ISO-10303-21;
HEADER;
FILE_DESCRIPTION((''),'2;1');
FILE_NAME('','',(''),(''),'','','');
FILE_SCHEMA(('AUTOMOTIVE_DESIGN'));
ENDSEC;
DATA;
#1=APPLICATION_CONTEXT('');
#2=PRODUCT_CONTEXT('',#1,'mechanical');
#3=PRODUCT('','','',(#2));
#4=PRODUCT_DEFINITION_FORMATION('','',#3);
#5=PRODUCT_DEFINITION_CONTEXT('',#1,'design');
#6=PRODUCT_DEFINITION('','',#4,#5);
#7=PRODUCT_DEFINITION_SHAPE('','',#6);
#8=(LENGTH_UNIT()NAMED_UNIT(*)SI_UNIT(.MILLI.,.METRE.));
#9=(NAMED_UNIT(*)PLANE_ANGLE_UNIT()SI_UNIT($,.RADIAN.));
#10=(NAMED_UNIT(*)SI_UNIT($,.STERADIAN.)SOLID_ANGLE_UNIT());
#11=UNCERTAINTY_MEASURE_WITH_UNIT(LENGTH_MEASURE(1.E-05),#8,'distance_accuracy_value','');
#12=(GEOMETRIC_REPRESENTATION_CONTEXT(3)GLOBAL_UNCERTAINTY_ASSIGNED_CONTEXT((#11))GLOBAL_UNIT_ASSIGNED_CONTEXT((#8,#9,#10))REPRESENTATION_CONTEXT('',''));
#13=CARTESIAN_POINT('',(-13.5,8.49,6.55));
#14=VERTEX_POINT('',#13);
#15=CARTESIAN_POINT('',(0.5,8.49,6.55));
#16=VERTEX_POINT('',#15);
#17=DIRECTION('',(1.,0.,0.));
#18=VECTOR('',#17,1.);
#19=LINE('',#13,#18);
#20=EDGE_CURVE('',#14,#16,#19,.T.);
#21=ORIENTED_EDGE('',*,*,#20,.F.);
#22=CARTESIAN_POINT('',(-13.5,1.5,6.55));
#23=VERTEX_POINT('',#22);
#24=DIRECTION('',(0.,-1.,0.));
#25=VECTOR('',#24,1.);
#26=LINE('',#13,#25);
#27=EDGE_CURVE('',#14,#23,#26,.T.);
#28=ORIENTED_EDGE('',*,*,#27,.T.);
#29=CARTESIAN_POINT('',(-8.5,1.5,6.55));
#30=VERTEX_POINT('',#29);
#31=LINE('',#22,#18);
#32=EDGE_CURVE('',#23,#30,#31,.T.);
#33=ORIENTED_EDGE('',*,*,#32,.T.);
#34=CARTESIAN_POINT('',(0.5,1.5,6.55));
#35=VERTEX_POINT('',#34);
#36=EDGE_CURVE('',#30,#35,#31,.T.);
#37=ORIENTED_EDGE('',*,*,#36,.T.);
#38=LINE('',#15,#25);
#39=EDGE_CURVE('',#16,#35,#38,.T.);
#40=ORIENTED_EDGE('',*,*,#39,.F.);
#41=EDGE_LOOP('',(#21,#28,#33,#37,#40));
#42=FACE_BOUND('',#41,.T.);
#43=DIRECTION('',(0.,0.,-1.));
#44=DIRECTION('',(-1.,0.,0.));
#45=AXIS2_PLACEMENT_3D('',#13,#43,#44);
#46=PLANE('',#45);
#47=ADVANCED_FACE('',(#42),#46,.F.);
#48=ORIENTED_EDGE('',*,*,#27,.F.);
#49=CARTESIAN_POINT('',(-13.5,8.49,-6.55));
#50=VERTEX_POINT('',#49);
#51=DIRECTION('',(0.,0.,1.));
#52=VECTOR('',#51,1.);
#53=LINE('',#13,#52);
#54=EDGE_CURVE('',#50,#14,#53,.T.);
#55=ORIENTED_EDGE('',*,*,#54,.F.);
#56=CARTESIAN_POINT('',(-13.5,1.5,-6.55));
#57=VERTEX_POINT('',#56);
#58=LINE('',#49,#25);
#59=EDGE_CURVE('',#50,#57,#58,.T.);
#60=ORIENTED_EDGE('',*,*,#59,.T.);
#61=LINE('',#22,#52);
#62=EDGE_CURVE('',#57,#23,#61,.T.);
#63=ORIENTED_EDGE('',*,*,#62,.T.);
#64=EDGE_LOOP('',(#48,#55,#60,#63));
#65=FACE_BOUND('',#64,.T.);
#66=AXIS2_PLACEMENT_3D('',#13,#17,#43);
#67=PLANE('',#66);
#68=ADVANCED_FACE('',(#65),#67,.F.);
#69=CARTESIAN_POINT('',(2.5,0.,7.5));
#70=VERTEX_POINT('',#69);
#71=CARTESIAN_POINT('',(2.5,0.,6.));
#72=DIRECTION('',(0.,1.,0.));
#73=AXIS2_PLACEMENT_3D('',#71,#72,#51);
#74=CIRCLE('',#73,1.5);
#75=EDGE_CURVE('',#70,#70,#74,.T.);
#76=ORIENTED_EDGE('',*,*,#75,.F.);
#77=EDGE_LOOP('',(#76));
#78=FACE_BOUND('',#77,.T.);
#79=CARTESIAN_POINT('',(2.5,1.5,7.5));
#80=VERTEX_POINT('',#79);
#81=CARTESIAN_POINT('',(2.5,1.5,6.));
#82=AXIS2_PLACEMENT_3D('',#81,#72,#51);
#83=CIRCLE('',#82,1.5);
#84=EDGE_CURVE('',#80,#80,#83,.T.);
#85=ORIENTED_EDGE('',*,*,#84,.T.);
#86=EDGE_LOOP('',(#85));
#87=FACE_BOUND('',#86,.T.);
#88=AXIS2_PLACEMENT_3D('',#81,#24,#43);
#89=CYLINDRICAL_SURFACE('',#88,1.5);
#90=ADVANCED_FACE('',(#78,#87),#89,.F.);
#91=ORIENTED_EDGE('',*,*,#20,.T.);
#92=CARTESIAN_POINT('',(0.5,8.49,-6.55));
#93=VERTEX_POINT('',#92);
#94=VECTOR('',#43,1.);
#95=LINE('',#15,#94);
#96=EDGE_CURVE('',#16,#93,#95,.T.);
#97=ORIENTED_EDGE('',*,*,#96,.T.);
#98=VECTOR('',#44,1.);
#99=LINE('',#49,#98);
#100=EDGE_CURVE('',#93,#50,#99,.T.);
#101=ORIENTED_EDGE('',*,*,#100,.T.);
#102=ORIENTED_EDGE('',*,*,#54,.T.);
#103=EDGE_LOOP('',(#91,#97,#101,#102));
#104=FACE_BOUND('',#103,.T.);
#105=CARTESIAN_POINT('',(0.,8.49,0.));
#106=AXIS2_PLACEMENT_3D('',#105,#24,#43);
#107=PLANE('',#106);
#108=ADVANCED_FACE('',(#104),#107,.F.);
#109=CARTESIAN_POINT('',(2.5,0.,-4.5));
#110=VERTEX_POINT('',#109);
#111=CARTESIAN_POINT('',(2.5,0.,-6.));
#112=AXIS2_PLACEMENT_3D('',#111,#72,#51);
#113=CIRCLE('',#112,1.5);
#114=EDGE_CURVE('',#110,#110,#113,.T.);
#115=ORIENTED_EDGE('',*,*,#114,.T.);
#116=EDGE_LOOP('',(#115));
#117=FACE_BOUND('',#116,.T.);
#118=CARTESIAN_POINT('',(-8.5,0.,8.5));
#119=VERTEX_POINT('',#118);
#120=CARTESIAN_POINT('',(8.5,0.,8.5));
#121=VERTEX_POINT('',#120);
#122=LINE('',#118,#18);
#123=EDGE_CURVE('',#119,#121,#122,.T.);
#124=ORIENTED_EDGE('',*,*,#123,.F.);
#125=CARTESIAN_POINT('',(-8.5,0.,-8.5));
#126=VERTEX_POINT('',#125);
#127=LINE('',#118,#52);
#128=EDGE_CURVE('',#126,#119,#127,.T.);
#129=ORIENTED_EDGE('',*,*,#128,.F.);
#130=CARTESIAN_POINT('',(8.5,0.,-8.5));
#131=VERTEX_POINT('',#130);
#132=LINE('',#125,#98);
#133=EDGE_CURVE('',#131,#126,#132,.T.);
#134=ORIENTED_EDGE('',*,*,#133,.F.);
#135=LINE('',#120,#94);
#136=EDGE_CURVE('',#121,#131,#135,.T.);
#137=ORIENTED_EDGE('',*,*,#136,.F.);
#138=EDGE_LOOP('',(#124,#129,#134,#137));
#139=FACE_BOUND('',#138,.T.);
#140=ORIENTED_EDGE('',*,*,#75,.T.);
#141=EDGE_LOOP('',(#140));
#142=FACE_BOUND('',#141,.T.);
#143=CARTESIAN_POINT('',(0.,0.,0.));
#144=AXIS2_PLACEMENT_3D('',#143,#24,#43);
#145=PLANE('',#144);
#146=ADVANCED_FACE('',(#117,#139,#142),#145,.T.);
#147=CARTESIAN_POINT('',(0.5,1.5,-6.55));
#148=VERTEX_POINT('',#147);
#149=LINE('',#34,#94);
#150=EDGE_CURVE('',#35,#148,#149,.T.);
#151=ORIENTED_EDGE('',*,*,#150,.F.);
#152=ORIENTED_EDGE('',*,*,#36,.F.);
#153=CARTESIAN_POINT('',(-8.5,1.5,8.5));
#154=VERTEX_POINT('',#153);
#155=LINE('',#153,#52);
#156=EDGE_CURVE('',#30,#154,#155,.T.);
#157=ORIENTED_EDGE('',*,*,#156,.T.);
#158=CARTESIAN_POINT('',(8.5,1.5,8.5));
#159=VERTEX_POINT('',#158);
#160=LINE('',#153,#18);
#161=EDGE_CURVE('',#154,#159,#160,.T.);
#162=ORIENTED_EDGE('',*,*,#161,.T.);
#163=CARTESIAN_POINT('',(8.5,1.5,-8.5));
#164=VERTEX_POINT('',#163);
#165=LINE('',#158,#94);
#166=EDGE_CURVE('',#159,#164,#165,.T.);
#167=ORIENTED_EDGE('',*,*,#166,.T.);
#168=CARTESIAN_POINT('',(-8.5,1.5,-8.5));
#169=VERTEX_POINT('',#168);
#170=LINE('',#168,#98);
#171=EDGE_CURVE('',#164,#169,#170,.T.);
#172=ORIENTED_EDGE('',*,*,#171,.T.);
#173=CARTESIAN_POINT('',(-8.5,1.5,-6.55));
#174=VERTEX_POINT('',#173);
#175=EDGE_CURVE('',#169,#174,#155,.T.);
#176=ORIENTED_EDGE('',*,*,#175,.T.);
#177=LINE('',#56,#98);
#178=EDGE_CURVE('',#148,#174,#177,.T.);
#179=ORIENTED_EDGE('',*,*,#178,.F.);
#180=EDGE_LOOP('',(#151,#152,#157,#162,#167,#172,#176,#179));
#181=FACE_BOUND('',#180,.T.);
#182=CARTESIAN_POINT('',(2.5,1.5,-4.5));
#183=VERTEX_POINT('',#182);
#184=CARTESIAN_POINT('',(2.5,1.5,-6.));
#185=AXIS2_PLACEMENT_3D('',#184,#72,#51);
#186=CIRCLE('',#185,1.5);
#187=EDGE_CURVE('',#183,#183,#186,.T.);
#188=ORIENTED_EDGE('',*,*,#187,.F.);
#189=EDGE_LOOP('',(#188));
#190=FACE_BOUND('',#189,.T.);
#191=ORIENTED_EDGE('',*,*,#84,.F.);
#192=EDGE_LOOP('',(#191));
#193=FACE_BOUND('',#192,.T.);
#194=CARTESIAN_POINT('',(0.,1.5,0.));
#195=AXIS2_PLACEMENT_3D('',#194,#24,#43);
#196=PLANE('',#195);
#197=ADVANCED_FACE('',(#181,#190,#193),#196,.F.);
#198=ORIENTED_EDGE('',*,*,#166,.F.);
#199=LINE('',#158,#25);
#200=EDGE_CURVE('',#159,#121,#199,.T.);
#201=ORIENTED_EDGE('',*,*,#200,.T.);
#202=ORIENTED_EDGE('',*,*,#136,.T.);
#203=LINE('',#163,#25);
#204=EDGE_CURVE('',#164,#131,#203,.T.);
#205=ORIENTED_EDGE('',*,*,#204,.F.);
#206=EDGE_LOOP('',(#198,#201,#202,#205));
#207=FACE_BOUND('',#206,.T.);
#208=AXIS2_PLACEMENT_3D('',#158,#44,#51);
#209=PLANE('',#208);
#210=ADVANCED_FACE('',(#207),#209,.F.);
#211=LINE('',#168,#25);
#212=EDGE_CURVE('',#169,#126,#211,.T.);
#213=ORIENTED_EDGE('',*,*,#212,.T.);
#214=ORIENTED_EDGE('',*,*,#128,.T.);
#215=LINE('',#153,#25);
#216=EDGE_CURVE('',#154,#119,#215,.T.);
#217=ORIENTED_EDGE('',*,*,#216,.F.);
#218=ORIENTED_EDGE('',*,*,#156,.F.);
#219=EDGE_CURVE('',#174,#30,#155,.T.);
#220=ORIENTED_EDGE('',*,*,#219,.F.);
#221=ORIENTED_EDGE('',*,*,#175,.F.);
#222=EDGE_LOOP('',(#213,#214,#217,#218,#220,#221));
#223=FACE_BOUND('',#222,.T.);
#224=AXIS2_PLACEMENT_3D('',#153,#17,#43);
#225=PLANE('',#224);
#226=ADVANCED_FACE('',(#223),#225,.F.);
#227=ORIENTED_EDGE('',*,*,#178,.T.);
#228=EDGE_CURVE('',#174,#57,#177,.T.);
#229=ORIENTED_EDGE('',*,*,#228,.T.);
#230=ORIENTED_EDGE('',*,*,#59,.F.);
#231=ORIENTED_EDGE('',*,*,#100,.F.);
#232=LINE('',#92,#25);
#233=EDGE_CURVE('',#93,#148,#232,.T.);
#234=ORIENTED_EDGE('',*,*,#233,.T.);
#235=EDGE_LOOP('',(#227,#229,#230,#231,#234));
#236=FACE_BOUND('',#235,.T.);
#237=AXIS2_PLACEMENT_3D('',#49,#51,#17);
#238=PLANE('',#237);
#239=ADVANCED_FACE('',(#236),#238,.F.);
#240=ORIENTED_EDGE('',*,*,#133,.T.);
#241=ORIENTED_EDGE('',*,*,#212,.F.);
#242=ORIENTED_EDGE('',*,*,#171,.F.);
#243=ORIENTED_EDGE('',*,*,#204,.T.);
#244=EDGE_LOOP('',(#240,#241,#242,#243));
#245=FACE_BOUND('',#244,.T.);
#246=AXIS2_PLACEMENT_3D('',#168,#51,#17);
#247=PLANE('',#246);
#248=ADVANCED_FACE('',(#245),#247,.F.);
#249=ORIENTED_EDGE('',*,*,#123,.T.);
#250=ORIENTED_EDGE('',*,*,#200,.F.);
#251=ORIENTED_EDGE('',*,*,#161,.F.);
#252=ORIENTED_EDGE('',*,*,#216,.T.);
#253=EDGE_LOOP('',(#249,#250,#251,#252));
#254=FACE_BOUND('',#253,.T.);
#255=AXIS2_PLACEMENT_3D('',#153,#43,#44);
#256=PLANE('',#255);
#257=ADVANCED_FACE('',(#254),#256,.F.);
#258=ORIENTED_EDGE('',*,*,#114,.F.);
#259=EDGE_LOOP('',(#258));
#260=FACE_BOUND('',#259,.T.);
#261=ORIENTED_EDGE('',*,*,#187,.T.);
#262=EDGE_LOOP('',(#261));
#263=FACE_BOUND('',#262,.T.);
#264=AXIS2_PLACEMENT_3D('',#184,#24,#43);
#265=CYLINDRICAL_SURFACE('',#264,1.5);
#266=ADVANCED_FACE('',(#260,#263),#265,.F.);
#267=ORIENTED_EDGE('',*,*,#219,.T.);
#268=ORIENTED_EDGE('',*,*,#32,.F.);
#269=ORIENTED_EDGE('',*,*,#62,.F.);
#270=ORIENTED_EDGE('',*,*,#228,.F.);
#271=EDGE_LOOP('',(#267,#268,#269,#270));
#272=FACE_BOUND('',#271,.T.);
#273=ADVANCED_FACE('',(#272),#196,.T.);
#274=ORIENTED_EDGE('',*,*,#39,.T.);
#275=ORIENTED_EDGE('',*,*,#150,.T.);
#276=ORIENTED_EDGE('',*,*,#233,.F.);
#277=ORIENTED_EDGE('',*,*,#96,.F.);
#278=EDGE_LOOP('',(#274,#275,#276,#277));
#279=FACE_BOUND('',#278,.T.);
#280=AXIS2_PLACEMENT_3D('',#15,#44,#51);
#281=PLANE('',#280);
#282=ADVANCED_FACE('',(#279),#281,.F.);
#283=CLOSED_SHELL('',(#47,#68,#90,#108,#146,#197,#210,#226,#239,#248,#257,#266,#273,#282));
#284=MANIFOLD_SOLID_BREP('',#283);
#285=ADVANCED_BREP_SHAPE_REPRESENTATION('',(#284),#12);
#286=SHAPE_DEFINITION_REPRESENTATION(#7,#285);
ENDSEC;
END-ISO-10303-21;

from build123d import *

# Parameters (mm, degrees)
SKETCH1_W           = 17
SKETCH1_H           = 17
SKETCH1_R           = 1.5
BOSS_EXTRUDE1_DEPTH = 1.5
SKETCH2_W           = 14
SKETCH2_H           = 13.1
BOSS_EXTRUDE2_DEPTH = 6.99


with BuildPart() as part:
    # Sketch1 → Boss-Extrude1 (new body)
    with BuildSketch(Plane(origin=(0, 0, 0), x_dir=(1, 0, 0), z_dir=(0, 1, 0))):
        Rectangle(SKETCH1_W, SKETCH1_H)
        with Locations(Location((2.5, 6, 0), (0, 0, 270))):
            Circle(SKETCH1_R, mode=Mode.SUBTRACT)
        with Locations(Location((2.5, -6, 0), (0, 0, 270))):
            Circle(SKETCH1_R, mode=Mode.SUBTRACT)
    extrude(amount=BOSS_EXTRUDE1_DEPTH)

    # Sketch2 → Boss-Extrude2 (add)
    with BuildSketch(Plane(origin=(0, 1.5, 0), x_dir=(1, 0, 0), z_dir=(0, 1, 0))):
        with Locations((-6.5, 0)):
            Rectangle(SKETCH2_W, SKETCH2_H)
    extrude(amount=BOSS_EXTRUDE2_DEPTH)


solid = part.part
